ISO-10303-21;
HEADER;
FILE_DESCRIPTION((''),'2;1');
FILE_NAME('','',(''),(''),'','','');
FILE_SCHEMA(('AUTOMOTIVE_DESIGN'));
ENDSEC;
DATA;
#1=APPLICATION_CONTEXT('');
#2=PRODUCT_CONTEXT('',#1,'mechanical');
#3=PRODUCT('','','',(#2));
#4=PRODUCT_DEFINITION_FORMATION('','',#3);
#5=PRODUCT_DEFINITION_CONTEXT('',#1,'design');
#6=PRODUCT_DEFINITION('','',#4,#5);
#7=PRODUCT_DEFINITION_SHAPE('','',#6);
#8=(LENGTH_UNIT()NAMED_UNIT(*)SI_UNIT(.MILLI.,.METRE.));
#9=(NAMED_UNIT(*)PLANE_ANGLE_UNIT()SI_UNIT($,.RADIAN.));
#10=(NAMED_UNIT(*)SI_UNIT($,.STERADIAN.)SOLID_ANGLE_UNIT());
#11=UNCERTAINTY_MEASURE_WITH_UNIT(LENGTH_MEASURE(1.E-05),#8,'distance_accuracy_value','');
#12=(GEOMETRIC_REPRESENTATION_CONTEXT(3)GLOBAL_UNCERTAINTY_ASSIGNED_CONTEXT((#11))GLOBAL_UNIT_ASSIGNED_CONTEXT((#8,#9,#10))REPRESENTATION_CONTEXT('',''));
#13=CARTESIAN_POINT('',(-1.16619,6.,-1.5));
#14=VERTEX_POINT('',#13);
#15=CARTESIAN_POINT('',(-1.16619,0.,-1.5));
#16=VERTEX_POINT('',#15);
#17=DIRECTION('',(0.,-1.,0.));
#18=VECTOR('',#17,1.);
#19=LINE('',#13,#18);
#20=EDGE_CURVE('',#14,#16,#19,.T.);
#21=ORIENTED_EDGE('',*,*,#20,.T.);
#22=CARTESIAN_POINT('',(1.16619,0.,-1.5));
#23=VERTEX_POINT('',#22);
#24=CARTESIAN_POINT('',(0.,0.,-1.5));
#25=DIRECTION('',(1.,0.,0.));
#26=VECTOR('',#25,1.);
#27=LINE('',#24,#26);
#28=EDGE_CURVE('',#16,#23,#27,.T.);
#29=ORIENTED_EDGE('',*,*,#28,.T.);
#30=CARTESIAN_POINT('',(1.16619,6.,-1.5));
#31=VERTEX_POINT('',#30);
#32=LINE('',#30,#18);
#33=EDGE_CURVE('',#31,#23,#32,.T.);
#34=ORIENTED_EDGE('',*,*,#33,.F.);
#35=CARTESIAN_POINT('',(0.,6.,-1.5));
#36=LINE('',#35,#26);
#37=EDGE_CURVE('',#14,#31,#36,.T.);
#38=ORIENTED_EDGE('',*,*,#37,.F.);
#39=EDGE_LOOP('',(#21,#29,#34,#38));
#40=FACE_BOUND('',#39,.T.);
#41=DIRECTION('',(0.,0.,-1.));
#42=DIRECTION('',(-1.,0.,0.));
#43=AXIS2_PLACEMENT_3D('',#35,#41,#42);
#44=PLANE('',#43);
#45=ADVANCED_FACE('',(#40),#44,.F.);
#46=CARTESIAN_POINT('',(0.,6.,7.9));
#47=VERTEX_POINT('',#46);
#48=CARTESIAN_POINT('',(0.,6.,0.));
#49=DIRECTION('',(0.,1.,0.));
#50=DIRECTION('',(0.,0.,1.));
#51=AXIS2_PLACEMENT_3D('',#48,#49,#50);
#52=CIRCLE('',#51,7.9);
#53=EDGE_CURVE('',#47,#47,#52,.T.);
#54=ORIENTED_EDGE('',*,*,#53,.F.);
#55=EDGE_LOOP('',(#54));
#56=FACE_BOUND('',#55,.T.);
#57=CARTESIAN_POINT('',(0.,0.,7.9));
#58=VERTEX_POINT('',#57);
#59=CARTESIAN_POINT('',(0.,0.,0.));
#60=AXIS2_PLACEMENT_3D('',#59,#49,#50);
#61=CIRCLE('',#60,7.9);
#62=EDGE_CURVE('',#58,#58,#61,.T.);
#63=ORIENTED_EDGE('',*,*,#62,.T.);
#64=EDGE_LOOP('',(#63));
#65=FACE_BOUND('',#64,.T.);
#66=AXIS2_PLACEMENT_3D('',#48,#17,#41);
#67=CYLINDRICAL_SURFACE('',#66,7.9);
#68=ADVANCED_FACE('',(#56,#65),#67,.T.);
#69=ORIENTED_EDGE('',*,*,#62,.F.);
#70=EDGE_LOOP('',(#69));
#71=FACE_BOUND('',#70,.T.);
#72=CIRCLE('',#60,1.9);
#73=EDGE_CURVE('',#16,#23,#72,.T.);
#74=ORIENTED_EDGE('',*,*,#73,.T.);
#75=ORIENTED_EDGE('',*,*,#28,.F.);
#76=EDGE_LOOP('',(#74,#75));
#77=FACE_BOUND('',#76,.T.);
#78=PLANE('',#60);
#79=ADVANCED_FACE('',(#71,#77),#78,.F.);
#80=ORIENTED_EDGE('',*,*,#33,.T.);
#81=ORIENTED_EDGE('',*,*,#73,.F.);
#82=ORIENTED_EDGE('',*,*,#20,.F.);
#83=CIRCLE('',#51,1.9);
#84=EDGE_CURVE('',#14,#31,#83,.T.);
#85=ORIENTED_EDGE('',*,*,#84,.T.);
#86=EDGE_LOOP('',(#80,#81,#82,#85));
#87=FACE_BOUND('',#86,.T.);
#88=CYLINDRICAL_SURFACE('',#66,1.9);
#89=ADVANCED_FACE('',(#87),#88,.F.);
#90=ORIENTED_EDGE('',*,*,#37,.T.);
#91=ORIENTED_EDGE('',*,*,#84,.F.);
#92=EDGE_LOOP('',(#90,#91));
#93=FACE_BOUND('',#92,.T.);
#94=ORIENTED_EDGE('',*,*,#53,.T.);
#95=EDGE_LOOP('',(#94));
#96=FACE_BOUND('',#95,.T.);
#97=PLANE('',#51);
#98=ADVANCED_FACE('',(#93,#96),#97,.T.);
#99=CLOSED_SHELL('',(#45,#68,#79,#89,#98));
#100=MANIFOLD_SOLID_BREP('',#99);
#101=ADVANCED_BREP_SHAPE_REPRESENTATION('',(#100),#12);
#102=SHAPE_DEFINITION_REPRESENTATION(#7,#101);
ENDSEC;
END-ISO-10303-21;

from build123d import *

# Parameters (mm, degrees)
SKETCH_1_R      = 7.9
EXTRUDE_3_DEPTH = 6


with BuildPart() as part:
    # 草图1 → 凸台-拉伸3 (new body)
    with BuildSketch(Plane(origin=(0, 0, 0), x_dir=(1, 0, 0), z_dir=(0, 1, 0))):
        with Locations(Location((0, 0, 0), (0, 0, 270))):
            Circle(SKETCH_1_R)
        with BuildLine():
            Line((-1.166190379, 1.5), (1.166190379, 1.5))
            ThreePointArc((1.166190379, 1.5), (1.797220076, -0.6164414), (0, -1.9))
            ThreePointArc((0, -1.9), (-1.797220076, -0.6164414), (-1.166190379, 1.5))
        make_face(mode=Mode.SUBTRACT)
    extrude(amount=EXTRUDE_3_DEPTH)


solid = part.part
